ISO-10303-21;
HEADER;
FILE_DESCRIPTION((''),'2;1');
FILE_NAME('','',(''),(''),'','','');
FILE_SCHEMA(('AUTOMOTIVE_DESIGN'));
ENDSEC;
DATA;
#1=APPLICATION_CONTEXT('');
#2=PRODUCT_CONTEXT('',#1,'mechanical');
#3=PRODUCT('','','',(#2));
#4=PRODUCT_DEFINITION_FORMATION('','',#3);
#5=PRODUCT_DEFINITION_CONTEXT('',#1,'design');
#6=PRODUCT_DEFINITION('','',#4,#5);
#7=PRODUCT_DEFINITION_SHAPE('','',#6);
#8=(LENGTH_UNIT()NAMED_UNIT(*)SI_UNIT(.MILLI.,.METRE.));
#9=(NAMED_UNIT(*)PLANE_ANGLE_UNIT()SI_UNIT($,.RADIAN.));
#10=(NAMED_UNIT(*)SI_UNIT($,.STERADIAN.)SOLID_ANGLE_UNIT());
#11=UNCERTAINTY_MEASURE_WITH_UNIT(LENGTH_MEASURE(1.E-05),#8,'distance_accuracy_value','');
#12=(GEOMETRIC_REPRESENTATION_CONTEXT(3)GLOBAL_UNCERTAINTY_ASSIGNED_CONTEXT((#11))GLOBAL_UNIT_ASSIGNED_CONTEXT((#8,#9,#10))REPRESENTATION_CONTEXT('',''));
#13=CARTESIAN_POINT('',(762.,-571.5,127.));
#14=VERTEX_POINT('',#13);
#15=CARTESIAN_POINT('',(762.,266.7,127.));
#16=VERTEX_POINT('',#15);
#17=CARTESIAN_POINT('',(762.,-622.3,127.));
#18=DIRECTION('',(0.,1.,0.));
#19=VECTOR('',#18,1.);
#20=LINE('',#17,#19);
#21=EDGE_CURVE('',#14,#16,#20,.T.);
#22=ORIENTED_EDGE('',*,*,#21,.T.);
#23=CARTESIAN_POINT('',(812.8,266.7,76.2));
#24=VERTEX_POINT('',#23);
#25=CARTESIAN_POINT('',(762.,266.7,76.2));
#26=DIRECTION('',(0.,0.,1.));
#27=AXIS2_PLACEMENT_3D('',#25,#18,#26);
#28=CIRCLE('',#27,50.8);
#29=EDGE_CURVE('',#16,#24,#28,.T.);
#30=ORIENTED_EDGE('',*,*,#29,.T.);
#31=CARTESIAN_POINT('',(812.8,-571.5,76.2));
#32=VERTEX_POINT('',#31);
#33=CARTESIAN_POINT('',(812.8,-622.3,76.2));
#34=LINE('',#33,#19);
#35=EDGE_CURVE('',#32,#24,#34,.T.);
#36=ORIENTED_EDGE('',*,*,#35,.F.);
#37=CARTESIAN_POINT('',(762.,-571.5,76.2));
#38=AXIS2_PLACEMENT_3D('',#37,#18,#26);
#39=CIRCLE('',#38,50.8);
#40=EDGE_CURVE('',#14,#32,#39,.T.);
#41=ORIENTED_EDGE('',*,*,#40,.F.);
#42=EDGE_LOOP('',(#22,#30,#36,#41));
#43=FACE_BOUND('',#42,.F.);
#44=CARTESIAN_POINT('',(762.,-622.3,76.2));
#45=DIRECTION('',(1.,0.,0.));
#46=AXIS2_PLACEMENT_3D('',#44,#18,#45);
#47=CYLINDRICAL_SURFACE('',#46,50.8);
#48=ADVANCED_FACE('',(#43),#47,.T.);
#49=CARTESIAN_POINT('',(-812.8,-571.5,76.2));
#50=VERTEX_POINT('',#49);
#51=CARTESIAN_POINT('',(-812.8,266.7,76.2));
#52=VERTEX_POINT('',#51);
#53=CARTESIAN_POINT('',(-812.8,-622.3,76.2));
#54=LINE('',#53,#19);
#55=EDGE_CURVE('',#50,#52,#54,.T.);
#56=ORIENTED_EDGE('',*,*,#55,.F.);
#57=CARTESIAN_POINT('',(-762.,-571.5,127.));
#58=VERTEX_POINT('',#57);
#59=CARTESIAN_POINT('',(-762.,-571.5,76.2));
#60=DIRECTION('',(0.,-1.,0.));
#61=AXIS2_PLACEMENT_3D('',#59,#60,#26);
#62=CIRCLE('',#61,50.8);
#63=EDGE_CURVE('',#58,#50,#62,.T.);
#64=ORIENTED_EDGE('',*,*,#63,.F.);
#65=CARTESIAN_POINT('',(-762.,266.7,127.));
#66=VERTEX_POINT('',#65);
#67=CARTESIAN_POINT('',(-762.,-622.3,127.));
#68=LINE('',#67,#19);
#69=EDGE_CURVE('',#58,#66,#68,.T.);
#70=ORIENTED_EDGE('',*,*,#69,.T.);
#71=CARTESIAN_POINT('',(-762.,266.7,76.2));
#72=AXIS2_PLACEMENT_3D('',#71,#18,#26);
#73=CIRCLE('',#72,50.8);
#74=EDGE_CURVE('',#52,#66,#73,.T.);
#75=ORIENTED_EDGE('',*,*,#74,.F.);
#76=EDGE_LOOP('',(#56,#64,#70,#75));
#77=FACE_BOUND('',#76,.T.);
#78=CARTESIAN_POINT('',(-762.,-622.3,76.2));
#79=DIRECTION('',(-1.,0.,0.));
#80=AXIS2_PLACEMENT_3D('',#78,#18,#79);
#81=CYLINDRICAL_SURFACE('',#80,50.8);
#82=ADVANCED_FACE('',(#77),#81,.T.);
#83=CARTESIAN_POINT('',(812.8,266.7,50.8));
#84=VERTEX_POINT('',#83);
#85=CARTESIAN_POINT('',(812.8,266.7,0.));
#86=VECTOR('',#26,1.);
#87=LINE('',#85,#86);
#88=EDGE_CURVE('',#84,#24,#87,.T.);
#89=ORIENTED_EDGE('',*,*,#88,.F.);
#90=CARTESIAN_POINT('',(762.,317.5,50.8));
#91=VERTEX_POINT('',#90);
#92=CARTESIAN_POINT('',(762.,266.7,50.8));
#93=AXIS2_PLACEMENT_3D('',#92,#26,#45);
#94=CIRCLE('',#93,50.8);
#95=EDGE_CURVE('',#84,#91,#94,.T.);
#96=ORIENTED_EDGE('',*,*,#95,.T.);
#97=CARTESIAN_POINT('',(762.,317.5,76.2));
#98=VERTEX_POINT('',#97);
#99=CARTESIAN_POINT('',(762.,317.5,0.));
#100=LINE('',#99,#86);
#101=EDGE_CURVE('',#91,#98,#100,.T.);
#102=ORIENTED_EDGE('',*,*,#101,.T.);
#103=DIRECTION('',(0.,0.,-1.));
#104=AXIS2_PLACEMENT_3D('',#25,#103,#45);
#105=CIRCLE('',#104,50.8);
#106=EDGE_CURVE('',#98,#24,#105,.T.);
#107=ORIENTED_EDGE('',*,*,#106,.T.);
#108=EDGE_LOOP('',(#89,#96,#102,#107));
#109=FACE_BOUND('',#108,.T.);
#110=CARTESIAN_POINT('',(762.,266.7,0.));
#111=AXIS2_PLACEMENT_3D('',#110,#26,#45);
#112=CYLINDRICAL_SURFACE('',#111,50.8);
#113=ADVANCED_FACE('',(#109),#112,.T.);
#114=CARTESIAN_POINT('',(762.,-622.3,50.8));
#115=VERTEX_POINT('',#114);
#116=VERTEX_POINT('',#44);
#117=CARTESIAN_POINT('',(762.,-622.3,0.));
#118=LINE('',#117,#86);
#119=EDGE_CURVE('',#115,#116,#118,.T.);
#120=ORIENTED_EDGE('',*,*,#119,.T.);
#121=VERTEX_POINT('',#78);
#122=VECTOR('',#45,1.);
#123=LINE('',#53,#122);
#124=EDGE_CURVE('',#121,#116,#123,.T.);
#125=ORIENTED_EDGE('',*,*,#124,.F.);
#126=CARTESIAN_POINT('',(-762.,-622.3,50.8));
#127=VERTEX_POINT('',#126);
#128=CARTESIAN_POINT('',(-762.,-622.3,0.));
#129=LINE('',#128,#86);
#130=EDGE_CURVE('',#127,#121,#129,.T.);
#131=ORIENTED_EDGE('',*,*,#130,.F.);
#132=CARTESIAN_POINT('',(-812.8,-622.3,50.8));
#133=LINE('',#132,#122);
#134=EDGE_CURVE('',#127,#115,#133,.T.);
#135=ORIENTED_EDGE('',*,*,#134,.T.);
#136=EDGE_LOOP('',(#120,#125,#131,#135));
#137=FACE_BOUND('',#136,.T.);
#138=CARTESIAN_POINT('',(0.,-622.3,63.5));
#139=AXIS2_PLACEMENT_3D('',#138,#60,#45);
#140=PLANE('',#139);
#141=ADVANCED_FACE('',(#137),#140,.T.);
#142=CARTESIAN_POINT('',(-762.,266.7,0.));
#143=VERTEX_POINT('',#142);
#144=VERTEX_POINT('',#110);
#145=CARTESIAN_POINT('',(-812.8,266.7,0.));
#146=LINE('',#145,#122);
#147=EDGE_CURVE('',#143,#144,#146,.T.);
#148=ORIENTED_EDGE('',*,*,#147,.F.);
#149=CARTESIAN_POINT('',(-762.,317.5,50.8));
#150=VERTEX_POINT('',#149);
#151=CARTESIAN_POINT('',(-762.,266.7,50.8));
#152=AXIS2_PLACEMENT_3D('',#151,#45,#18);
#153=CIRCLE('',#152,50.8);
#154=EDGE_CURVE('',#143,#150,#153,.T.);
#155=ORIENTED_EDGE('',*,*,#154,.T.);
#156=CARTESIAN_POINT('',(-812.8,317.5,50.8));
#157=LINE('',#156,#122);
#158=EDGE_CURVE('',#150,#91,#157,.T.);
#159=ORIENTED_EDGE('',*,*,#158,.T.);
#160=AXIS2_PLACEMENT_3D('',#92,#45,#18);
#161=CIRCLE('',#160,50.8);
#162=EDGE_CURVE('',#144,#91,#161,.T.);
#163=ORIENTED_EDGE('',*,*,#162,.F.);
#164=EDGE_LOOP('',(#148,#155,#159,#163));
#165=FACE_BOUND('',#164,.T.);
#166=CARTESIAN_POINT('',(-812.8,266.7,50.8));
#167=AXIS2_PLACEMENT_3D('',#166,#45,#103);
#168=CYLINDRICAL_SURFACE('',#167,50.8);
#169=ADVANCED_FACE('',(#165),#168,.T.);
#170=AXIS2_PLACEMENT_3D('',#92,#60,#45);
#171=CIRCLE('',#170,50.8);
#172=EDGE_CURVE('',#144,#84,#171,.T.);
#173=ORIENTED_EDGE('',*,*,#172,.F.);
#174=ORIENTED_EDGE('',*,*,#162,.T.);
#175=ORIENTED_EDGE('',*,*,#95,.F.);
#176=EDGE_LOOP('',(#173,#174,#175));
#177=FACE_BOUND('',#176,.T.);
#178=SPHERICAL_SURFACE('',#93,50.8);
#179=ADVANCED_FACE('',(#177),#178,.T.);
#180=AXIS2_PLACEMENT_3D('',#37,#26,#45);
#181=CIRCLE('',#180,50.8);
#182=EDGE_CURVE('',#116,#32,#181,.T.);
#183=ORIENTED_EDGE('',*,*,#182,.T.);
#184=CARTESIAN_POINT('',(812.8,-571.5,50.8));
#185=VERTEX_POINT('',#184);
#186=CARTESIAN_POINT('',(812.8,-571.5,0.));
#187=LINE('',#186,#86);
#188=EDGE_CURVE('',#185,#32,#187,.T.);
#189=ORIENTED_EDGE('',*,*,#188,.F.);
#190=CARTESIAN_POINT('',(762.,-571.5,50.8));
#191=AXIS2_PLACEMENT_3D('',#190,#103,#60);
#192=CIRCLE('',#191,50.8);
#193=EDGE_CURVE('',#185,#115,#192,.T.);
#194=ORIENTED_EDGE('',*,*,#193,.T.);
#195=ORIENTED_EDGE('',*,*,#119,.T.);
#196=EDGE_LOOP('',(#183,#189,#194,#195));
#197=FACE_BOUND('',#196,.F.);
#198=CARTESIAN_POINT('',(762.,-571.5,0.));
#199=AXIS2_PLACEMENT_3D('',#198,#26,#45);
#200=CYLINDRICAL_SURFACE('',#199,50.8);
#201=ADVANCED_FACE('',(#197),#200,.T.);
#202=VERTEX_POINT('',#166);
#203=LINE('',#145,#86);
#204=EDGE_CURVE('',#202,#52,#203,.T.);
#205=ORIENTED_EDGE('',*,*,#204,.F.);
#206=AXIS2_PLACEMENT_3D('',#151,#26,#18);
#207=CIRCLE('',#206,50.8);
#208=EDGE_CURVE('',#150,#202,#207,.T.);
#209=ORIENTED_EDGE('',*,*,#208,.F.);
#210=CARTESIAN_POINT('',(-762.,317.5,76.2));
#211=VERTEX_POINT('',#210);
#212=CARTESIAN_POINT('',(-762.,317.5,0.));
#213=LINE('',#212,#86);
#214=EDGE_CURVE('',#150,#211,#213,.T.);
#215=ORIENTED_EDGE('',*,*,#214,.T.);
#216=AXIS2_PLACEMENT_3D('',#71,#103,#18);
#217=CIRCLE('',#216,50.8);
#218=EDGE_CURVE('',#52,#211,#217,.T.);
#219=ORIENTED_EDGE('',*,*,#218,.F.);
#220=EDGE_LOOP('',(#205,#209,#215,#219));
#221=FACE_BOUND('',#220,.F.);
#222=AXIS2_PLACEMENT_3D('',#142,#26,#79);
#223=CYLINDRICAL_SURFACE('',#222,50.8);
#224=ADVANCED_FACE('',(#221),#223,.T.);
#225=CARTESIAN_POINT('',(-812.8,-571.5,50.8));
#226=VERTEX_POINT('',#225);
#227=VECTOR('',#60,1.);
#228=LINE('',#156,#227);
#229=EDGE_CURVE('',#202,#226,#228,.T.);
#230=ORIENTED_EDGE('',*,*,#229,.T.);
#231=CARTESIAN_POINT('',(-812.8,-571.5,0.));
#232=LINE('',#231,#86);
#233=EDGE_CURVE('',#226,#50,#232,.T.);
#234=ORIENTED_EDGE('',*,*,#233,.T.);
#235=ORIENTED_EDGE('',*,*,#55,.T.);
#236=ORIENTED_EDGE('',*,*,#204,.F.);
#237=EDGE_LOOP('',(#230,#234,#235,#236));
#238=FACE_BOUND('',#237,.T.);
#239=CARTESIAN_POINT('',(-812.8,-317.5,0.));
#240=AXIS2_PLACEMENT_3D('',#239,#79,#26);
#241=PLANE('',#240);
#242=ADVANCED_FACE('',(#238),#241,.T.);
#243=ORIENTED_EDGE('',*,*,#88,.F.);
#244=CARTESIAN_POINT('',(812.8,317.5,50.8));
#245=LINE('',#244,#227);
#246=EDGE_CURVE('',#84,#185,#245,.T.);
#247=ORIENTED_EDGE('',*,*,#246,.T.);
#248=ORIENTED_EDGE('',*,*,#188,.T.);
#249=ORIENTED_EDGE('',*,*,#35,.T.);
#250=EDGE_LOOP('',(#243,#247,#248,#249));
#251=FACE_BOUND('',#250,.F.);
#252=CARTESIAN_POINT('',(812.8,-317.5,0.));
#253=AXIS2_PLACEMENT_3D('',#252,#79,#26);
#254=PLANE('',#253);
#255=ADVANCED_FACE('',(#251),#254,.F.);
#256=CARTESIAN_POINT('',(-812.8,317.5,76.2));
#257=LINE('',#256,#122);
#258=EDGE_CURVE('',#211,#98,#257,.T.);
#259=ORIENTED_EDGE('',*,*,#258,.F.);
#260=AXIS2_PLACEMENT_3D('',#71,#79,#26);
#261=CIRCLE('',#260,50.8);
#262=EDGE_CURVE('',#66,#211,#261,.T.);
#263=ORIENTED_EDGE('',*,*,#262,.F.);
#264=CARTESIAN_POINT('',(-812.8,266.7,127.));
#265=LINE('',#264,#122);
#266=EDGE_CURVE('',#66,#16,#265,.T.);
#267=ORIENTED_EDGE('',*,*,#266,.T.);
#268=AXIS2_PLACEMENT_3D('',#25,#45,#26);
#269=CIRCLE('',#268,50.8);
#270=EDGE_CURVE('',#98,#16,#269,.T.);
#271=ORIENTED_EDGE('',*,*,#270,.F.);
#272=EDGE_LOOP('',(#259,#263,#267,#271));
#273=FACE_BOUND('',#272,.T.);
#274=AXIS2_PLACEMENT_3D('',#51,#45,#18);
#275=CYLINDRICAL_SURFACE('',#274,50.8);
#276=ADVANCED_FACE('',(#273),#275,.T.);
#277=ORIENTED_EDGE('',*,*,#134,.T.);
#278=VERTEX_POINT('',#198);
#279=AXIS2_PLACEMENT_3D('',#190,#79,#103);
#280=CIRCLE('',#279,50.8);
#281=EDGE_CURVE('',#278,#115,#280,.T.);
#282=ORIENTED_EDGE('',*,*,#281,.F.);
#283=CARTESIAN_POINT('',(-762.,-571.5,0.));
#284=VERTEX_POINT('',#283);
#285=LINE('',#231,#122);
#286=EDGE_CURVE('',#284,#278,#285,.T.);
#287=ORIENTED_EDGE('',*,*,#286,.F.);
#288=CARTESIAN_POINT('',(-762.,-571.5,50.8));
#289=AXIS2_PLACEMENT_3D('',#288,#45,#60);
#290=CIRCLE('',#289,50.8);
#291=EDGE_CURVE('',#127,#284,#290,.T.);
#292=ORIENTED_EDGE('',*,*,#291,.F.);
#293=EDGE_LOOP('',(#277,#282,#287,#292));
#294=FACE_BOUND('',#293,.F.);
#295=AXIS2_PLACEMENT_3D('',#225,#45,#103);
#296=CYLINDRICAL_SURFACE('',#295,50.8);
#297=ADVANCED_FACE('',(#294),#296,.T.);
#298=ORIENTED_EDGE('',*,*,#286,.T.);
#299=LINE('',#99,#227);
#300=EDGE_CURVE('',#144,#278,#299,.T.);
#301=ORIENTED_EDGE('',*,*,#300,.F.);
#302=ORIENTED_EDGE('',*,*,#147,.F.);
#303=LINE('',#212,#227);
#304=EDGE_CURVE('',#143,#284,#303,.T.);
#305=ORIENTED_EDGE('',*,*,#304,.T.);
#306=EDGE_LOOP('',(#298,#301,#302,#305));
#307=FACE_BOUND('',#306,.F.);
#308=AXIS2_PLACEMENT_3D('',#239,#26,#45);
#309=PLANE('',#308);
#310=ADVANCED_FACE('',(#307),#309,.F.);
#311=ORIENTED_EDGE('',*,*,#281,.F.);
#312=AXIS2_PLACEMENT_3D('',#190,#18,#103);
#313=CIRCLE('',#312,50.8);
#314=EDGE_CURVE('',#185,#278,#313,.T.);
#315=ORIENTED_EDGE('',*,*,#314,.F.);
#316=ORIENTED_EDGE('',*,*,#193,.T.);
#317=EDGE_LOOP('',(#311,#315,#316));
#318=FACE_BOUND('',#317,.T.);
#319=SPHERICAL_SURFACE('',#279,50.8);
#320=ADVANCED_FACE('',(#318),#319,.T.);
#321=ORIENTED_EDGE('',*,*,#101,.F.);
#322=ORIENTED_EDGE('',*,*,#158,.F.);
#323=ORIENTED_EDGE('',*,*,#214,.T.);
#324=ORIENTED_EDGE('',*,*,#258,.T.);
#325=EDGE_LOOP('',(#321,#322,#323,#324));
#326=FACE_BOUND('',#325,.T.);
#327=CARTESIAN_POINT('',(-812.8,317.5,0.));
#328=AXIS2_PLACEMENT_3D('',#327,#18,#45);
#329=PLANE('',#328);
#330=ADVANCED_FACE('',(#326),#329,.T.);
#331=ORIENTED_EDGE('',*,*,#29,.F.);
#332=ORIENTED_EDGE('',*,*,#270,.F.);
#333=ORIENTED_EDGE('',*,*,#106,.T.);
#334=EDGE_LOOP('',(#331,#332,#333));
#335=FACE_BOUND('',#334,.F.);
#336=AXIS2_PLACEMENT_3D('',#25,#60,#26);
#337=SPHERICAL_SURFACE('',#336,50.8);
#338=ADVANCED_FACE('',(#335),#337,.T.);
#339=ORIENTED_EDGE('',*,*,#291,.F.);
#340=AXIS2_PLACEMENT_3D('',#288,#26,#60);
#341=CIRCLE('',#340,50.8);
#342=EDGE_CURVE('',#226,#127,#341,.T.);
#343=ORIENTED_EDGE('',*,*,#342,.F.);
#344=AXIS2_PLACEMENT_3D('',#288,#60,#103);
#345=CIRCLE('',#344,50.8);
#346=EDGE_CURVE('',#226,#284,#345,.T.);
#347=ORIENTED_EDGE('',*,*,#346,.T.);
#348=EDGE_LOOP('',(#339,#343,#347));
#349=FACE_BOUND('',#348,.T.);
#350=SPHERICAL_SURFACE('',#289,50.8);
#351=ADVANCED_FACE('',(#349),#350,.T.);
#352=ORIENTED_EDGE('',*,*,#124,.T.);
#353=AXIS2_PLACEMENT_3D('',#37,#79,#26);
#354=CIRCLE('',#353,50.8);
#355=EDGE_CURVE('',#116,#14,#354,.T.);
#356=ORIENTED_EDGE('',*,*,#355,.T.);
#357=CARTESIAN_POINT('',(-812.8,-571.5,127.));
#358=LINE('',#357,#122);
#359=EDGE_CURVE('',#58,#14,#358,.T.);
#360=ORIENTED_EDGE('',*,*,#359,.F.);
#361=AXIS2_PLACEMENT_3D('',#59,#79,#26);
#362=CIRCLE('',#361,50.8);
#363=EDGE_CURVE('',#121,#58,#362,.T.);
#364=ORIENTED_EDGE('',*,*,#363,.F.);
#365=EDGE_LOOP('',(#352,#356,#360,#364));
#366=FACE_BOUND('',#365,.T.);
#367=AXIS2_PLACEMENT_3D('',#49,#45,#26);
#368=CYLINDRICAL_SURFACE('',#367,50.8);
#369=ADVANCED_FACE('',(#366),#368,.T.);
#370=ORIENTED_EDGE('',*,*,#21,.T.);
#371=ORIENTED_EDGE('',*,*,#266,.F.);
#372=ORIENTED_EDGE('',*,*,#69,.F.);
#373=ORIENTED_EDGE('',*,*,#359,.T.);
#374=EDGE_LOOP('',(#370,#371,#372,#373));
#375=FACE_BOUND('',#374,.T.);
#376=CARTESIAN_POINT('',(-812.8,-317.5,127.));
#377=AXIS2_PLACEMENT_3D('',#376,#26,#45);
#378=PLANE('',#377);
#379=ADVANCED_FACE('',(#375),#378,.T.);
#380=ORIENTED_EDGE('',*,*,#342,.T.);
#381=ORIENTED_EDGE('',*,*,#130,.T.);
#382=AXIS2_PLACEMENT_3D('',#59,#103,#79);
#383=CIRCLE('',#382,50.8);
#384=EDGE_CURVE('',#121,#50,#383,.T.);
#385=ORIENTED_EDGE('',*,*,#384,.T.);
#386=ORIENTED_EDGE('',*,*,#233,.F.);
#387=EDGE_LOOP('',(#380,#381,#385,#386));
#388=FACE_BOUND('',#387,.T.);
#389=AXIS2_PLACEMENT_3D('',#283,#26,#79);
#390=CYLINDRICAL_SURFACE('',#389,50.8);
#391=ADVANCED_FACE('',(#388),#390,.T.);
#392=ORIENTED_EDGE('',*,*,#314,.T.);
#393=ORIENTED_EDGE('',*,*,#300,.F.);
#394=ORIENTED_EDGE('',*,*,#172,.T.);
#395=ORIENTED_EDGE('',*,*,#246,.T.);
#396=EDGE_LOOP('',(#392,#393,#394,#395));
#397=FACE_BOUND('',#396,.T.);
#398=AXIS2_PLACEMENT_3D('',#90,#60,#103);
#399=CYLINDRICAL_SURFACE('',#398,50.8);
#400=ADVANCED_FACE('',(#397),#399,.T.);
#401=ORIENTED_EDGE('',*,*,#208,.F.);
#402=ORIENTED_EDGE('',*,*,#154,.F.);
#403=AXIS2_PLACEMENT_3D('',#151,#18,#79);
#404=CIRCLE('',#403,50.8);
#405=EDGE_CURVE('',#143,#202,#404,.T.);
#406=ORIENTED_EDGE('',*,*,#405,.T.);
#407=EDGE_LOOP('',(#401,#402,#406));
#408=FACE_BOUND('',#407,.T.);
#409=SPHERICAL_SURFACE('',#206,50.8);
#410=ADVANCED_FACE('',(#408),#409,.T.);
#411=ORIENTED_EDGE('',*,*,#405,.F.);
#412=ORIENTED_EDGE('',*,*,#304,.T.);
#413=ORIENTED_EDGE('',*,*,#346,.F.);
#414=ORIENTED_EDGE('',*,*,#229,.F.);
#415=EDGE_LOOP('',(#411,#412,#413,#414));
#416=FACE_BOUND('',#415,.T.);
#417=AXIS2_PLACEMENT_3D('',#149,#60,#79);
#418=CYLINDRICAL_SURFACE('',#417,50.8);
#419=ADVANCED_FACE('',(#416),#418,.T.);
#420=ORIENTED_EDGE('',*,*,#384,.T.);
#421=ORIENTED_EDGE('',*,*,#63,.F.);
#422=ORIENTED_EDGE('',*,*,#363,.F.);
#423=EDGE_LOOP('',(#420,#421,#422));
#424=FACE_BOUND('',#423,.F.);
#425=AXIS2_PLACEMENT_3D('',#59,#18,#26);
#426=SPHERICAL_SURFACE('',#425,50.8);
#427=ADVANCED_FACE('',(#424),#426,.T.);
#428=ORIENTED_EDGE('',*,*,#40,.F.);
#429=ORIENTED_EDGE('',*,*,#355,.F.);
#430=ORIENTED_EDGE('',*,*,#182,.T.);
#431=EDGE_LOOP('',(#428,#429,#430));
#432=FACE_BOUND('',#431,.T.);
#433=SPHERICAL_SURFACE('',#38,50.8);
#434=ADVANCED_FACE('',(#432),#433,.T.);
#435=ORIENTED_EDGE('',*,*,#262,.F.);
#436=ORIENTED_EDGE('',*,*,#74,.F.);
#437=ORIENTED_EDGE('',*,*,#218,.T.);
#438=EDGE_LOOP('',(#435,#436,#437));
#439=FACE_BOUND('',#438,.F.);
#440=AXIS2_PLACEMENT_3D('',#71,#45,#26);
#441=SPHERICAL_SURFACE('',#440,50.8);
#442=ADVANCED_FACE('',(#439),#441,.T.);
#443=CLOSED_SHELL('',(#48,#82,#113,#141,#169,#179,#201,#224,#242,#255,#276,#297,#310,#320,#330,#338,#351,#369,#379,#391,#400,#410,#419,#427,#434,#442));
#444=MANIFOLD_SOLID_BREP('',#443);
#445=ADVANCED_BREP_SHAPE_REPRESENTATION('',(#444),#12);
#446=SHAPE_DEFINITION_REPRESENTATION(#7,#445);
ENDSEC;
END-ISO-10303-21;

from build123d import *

# Parameters (mm, degrees)
F0_W      = 1625.6
F0_H      = 635
F1_DEPTH  = 127
F1_FACE_W = 1625.6
F1_FACE_H = 127
F2_DEPTH  = 304.8
F3_R      = 50.8


with BuildPart() as f1:
    # F0 (on Top) → F1 (new body)
    with BuildSketch(Plane.XY):
        Rectangle(F0_W, F0_H)
    extrude(amount=F1_DEPTH)

    # F1_face (on face) → F2 (join)
    with BuildSketch(Plane(origin=(0, -317.5, 63.5), x_dir=(1, 0, 0), z_dir=(0, -1, 0))):
        Rectangle(F1_FACE_W, F1_FACE_H)
    extrude(amount=F2_DEPTH)

    # F3
    f3_edges = [f1.edges().sort_by_distance(p)[0] for p in [
        (812.8, -152.4, 127),
        (0, 317.5, 127),
        (-812.8, -152.4, 127),
        (0, -622.3, 127),
        (0, -622.3, 0),
        (812.8, 317.5, 63.5),
        (812.8, -152.4, 0),
        (812.8, -622.3, 63.5),
        (-812.8, 317.5, 63.5),
        (0, 317.5, 0),
        (-812.8, -622.3, 63.5),
        (-812.8, -152.4, 0),
    ]]
    fillet(f3_edges, radius=F3_R)


solid = f1.part
